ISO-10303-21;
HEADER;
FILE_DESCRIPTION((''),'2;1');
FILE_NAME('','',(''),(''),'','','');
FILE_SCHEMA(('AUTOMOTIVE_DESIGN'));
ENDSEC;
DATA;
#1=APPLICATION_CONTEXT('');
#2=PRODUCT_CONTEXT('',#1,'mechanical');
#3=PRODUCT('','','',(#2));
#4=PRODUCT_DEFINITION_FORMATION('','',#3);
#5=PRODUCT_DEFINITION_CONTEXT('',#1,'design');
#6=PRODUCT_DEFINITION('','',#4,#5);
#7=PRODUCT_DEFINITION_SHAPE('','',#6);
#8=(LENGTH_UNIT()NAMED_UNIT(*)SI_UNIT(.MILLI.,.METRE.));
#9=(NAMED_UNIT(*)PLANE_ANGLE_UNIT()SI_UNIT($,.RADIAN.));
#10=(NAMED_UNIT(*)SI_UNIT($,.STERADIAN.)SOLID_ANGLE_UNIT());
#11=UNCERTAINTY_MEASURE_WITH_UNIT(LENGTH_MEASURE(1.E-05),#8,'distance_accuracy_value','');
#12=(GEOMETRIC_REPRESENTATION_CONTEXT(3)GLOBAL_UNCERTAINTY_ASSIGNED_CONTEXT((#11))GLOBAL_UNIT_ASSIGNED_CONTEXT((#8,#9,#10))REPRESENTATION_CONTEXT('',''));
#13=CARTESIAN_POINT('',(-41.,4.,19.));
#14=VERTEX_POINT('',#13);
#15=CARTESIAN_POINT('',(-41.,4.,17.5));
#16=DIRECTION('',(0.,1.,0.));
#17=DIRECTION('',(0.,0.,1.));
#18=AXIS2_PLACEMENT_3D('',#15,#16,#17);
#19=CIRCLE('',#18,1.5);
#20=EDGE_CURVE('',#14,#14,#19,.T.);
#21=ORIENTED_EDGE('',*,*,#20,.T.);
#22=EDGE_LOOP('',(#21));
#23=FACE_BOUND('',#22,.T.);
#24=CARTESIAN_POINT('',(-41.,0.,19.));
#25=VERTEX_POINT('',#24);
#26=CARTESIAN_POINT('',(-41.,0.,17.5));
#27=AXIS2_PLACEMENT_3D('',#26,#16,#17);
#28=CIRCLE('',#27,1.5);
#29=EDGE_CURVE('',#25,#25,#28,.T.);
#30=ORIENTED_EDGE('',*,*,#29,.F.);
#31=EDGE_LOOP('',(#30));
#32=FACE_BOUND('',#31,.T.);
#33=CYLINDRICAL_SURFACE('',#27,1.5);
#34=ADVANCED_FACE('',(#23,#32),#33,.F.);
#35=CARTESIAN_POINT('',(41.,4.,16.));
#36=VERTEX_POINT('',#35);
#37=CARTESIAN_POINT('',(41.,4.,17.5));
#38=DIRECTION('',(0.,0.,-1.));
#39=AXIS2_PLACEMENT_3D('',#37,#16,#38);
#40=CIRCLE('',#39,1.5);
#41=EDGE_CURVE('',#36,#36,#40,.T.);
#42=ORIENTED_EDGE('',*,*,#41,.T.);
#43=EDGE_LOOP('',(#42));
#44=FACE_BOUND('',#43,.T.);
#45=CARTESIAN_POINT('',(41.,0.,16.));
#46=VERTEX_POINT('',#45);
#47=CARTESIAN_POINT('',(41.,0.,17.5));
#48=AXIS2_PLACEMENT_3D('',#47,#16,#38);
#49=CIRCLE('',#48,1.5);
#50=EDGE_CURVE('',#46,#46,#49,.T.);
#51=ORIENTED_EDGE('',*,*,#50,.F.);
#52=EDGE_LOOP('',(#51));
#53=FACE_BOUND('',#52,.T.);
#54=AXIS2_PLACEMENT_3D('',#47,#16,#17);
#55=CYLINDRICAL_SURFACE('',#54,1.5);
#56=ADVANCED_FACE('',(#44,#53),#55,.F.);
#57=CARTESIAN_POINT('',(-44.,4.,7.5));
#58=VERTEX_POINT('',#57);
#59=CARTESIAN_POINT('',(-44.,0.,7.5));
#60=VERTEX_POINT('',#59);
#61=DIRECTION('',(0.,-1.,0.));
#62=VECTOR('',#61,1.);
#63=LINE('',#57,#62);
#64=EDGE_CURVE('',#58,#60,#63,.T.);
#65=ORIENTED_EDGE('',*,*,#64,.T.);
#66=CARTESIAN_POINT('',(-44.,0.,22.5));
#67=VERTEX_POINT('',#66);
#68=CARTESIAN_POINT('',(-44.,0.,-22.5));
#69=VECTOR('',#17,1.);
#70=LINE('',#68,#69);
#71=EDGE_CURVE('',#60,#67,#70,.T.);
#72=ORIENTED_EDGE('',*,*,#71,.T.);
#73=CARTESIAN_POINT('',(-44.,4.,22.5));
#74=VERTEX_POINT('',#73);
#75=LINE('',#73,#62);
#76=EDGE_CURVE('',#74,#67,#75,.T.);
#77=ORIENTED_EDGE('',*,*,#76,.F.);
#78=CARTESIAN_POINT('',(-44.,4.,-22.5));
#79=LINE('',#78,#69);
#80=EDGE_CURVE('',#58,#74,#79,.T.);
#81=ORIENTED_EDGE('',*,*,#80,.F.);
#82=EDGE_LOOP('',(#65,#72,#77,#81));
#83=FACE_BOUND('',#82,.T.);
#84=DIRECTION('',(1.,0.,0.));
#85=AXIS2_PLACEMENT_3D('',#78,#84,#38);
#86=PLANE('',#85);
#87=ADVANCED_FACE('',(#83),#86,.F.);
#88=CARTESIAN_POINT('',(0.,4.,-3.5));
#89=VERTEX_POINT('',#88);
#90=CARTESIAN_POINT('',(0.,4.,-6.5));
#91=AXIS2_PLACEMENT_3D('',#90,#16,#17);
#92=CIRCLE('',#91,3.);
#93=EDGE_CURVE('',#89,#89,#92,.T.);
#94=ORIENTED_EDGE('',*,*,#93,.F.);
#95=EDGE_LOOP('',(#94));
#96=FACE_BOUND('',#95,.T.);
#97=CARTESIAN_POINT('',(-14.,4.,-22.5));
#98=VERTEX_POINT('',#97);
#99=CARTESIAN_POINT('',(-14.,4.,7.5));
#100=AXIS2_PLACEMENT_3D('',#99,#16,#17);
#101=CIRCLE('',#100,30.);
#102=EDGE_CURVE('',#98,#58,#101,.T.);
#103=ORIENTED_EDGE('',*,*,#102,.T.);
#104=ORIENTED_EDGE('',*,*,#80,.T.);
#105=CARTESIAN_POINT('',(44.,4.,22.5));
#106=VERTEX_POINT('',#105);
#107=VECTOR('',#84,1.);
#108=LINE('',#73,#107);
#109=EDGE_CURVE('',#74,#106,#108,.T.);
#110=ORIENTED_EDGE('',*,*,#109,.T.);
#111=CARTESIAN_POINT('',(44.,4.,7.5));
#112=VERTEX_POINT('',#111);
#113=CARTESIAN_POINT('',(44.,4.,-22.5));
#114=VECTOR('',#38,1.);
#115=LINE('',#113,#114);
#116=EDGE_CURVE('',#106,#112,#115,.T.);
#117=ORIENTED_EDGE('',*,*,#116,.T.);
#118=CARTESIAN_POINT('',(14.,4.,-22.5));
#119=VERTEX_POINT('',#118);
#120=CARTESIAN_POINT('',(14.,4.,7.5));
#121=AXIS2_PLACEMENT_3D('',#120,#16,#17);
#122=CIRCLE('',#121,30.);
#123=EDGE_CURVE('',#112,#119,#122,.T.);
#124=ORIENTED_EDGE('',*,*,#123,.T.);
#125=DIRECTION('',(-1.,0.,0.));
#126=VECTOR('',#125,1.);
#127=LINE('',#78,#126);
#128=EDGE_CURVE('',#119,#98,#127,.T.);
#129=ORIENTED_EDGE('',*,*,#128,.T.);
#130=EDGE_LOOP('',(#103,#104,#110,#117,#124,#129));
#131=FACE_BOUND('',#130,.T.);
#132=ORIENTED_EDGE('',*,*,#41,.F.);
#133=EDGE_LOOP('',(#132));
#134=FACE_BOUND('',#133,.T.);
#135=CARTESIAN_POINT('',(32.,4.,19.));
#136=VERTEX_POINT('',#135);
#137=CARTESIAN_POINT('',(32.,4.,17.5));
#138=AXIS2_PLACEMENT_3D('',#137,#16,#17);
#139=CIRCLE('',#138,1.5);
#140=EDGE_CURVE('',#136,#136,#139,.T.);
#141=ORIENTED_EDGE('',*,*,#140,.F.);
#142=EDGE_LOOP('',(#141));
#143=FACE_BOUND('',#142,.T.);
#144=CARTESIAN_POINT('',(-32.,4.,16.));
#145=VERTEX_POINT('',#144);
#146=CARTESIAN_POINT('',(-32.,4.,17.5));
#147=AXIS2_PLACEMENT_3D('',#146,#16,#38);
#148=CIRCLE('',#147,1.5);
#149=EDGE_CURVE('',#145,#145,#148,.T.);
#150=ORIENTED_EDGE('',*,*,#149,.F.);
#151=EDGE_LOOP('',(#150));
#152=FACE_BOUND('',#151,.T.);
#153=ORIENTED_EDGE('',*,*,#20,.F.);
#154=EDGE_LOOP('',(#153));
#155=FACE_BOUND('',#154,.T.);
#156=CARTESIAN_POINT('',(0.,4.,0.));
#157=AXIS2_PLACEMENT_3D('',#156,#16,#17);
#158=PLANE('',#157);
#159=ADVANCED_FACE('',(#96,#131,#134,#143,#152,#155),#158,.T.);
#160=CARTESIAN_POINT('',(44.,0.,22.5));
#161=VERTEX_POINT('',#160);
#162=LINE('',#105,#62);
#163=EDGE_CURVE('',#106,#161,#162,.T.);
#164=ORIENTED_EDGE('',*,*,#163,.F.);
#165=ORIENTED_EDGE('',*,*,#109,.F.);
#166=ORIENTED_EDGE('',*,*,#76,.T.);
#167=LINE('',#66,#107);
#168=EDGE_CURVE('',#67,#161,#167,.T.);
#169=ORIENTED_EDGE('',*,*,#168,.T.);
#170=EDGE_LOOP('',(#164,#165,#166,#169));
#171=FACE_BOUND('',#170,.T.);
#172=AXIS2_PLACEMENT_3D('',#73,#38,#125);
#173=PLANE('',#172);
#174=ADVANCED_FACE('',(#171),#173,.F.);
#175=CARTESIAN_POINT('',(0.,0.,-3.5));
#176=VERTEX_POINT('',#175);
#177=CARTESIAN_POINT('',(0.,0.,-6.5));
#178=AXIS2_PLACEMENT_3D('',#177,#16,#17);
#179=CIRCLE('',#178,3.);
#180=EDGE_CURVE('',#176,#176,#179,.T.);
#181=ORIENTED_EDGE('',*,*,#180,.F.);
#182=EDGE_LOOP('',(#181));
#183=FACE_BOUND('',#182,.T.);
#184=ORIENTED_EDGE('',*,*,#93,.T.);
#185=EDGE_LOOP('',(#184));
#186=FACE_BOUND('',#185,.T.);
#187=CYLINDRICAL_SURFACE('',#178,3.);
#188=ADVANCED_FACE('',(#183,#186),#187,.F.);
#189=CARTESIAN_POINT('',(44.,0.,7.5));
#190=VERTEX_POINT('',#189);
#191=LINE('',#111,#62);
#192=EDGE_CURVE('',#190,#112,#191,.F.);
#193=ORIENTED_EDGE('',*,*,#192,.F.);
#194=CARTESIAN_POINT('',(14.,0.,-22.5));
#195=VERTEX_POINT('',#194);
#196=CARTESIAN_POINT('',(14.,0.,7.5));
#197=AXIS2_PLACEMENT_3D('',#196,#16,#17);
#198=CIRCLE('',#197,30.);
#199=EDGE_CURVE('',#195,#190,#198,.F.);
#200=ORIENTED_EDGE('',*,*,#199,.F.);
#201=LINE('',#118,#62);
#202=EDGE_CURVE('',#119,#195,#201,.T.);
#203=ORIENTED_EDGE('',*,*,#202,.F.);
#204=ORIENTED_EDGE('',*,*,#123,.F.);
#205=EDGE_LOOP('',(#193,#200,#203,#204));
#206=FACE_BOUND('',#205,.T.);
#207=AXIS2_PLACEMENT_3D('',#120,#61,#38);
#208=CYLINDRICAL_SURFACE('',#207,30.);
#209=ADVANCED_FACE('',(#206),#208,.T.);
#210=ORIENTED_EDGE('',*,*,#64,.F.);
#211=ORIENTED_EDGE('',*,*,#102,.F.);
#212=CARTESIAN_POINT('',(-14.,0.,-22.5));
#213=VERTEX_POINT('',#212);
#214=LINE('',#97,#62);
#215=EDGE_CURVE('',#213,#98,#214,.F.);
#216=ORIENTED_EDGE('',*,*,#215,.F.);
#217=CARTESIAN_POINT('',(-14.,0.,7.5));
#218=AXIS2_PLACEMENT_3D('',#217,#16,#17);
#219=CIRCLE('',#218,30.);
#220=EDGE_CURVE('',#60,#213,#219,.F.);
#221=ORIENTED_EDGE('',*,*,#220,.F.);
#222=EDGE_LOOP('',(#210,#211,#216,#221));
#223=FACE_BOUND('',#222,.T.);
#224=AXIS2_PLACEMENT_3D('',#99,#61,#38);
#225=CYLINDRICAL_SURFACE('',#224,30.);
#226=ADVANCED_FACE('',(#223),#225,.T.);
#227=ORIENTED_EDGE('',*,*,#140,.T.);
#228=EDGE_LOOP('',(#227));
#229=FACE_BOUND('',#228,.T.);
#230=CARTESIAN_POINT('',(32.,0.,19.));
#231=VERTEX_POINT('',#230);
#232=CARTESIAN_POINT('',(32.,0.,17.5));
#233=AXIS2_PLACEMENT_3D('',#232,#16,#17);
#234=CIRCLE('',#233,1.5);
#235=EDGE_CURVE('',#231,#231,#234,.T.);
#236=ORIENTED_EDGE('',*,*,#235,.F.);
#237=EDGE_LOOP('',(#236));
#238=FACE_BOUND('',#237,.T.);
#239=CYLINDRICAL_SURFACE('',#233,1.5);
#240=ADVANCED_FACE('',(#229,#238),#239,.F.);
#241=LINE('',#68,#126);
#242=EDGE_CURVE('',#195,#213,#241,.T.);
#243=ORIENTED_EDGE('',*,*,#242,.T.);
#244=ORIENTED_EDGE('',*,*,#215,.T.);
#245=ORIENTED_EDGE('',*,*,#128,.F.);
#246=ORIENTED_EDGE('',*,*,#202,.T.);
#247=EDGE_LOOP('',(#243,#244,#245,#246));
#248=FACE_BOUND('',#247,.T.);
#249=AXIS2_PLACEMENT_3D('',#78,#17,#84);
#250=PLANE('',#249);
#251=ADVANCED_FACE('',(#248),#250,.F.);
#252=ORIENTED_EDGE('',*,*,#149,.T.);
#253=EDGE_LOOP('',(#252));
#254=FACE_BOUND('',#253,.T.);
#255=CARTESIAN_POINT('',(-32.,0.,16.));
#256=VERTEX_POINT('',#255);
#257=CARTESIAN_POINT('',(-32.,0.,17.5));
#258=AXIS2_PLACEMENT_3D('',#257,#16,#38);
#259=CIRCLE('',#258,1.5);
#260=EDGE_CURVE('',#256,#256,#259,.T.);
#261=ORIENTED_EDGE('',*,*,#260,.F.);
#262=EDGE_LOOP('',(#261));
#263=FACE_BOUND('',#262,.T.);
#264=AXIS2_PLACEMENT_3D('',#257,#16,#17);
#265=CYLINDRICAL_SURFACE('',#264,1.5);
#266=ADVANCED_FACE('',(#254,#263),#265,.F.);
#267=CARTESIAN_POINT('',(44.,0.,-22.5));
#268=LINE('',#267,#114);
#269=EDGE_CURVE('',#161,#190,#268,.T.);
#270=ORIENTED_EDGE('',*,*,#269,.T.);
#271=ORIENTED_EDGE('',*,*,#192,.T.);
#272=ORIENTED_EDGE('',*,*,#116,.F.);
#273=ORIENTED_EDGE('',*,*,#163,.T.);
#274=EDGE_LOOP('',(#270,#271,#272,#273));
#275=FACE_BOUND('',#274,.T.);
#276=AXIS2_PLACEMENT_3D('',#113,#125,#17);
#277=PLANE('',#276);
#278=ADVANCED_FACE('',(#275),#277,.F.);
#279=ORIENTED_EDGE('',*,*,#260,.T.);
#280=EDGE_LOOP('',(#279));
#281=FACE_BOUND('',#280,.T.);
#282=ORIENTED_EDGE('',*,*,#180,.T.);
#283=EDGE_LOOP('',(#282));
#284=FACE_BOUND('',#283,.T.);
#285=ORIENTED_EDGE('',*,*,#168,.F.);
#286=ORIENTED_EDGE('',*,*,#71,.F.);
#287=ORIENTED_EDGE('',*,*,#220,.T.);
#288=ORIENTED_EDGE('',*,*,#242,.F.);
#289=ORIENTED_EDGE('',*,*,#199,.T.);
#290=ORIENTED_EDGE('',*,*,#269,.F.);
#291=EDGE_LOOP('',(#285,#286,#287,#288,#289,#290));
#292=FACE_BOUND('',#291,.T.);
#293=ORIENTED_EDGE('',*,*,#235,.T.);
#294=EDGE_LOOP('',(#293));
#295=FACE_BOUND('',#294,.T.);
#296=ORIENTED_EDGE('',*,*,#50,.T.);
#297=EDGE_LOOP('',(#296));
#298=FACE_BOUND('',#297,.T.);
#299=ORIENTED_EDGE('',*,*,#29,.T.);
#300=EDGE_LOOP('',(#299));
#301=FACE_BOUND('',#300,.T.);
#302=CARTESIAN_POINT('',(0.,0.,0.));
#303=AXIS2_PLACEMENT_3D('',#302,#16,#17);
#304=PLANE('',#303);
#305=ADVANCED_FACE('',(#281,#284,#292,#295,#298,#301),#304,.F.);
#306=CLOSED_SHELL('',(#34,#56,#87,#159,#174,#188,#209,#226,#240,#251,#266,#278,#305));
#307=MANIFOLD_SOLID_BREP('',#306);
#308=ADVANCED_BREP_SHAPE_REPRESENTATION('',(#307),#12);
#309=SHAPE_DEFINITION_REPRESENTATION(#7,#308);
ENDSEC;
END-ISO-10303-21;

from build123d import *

# Parameters (mm, degrees)
SKETCH_1_W          = 88
SKETCH_1_H          = 45
EXTRUDE_1_DEPTH     = 4
SKETCH_2_R          = 3
CUT_EXTRUDE_1_DEPTH = 4
SKETCH_3_R          = 1.5
CUT_EXTRUDE_2_DEPTH = 50.580742229
FILLET_1_R          = 30


with BuildPart() as part:
    # 草图1 → 凸台-拉伸1 (new body)
    with BuildSketch(Plane(origin=(0, 0, 0), x_dir=(1, 0, 0), z_dir=(0, 1, 0))):
        Rectangle(SKETCH_1_W, SKETCH_1_H)
    extrude(amount=EXTRUDE_1_DEPTH)

    # 草图2 → 切除-拉伸1 (cut)
    with BuildSketch(Plane(origin=(0, 4, 0), x_dir=(1, 0, 0), z_dir=(0, 1, 0))):
        with Locations(Location((0, 6.5, 0), (0, 0, 270))):
            Circle(SKETCH_2_R)
    extrude(amount=-CUT_EXTRUDE_1_DEPTH, mode=Mode.SUBTRACT)

    # 草图3 → 切除-拉伸2 (cut, through all)
    with BuildSketch(Plane(origin=(0, 4, 0), x_dir=(1, 0, 0), z_dir=(0, 1, 0))):
        with Locations(Location((-41, -17.5, 0), (0, 0, 270))):
            Circle(SKETCH_3_R)
        with Locations(Location((-32, -17.5, 0), (0, 0, 90))):
            Circle(SKETCH_3_R)
        with Locations(Location((32, -17.5, 0), (0, 0, 270))):
            Circle(SKETCH_3_R)
        with Locations(Location((41, -17.5, 0), (0, 0, 90))):
            Circle(SKETCH_3_R)
    extrude(amount=-CUT_EXTRUDE_2_DEPTH, mode=Mode.SUBTRACT)

    # 圆角1
    fillet_1_edges = [part.edges().sort_by_distance(p)[0] for p in [
        (-44, 2, -22.5),
        (44, 2, -22.5),
    ]]
    fillet(fillet_1_edges, radius=FILLET_1_R)


solid = part.part
